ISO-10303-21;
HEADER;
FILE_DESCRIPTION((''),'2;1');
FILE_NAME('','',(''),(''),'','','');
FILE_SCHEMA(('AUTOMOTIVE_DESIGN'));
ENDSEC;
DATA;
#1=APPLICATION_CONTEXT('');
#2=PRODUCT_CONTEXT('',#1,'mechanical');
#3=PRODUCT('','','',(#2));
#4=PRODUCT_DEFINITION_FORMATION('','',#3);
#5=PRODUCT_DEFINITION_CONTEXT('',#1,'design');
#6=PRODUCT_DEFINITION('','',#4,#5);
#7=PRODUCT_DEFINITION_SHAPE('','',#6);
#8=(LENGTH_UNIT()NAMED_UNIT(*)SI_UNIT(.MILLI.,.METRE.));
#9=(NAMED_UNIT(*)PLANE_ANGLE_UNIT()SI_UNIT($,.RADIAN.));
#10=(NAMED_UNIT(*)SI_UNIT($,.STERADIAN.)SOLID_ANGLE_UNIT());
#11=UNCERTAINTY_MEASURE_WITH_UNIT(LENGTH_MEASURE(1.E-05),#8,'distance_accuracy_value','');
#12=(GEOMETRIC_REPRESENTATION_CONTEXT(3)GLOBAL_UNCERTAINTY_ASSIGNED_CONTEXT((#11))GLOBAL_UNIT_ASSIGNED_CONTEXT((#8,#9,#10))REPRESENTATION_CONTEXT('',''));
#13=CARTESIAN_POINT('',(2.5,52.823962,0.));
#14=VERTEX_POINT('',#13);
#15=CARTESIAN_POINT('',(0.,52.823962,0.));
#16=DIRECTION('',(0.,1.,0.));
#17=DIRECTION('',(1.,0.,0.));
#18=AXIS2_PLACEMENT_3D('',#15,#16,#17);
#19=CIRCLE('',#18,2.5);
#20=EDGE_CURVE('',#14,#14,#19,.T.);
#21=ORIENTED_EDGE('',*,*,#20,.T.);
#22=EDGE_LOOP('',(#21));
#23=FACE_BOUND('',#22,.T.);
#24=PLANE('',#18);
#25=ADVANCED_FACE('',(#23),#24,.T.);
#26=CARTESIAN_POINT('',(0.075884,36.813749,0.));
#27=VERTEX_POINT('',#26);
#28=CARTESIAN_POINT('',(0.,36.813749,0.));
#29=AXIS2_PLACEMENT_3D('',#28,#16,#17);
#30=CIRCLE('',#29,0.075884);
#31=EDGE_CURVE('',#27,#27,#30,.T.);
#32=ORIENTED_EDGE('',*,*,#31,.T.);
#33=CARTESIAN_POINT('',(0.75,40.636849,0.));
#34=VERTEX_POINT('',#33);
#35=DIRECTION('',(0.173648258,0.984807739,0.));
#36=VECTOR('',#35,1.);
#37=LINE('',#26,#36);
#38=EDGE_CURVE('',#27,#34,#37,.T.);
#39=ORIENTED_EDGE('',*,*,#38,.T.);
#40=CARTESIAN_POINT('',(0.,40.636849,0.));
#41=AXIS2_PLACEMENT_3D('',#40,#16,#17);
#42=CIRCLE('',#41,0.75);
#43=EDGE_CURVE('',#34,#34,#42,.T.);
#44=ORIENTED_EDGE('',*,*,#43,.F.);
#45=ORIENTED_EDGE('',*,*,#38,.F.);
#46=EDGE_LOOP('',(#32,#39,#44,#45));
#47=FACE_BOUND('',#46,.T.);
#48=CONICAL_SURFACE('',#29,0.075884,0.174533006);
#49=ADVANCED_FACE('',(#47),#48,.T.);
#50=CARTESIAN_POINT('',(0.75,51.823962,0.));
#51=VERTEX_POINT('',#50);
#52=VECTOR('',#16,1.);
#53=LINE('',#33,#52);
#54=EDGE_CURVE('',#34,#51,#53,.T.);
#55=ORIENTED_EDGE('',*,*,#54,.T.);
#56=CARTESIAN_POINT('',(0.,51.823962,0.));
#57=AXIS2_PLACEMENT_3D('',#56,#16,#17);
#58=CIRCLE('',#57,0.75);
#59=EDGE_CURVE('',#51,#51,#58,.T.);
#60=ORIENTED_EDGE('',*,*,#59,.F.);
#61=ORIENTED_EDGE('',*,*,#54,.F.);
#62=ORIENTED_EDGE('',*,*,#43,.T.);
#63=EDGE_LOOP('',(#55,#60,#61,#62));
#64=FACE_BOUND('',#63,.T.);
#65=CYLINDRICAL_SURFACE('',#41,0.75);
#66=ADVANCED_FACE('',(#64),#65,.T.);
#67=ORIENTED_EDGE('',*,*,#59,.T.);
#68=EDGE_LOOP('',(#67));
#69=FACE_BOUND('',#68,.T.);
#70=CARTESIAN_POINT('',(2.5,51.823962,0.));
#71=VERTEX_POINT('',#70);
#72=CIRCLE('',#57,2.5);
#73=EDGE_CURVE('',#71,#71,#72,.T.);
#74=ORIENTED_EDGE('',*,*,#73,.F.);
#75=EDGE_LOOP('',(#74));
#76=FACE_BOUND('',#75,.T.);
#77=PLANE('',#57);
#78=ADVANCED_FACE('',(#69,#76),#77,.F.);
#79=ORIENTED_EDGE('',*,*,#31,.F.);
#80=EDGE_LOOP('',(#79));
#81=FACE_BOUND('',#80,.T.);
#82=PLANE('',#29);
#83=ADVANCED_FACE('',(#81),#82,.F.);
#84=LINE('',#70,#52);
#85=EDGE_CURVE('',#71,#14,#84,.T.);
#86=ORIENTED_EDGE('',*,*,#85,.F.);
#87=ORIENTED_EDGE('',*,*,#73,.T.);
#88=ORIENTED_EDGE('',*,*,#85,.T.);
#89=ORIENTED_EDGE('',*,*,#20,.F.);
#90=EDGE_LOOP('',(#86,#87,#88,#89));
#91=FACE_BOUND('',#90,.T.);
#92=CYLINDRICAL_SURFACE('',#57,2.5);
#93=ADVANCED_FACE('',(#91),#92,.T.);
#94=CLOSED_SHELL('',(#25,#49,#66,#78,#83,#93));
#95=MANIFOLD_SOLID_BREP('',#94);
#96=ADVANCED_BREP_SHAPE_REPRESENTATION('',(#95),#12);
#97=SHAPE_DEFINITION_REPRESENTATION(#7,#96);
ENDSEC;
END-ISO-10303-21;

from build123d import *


with BuildPart() as f1:
    # F0 (on Top) → F1 (revolve)
    with BuildSketch(Plane.XY):
        Polygon((0.75, 51.823962), (0, 51.823962), (0, 36.813749), (0.075884, 36.813749), (0.75, 40.636849), align=None)
        Polygon((2.5, 52.823962), (0, 52.823962), (0, 51.823962), (0.75, 51.823962), (2.5, 51.823962), align=None)
    revolve(axis=Axis((0, 56.813749, 0), (0, 1, 0)))


solid = f1.part
